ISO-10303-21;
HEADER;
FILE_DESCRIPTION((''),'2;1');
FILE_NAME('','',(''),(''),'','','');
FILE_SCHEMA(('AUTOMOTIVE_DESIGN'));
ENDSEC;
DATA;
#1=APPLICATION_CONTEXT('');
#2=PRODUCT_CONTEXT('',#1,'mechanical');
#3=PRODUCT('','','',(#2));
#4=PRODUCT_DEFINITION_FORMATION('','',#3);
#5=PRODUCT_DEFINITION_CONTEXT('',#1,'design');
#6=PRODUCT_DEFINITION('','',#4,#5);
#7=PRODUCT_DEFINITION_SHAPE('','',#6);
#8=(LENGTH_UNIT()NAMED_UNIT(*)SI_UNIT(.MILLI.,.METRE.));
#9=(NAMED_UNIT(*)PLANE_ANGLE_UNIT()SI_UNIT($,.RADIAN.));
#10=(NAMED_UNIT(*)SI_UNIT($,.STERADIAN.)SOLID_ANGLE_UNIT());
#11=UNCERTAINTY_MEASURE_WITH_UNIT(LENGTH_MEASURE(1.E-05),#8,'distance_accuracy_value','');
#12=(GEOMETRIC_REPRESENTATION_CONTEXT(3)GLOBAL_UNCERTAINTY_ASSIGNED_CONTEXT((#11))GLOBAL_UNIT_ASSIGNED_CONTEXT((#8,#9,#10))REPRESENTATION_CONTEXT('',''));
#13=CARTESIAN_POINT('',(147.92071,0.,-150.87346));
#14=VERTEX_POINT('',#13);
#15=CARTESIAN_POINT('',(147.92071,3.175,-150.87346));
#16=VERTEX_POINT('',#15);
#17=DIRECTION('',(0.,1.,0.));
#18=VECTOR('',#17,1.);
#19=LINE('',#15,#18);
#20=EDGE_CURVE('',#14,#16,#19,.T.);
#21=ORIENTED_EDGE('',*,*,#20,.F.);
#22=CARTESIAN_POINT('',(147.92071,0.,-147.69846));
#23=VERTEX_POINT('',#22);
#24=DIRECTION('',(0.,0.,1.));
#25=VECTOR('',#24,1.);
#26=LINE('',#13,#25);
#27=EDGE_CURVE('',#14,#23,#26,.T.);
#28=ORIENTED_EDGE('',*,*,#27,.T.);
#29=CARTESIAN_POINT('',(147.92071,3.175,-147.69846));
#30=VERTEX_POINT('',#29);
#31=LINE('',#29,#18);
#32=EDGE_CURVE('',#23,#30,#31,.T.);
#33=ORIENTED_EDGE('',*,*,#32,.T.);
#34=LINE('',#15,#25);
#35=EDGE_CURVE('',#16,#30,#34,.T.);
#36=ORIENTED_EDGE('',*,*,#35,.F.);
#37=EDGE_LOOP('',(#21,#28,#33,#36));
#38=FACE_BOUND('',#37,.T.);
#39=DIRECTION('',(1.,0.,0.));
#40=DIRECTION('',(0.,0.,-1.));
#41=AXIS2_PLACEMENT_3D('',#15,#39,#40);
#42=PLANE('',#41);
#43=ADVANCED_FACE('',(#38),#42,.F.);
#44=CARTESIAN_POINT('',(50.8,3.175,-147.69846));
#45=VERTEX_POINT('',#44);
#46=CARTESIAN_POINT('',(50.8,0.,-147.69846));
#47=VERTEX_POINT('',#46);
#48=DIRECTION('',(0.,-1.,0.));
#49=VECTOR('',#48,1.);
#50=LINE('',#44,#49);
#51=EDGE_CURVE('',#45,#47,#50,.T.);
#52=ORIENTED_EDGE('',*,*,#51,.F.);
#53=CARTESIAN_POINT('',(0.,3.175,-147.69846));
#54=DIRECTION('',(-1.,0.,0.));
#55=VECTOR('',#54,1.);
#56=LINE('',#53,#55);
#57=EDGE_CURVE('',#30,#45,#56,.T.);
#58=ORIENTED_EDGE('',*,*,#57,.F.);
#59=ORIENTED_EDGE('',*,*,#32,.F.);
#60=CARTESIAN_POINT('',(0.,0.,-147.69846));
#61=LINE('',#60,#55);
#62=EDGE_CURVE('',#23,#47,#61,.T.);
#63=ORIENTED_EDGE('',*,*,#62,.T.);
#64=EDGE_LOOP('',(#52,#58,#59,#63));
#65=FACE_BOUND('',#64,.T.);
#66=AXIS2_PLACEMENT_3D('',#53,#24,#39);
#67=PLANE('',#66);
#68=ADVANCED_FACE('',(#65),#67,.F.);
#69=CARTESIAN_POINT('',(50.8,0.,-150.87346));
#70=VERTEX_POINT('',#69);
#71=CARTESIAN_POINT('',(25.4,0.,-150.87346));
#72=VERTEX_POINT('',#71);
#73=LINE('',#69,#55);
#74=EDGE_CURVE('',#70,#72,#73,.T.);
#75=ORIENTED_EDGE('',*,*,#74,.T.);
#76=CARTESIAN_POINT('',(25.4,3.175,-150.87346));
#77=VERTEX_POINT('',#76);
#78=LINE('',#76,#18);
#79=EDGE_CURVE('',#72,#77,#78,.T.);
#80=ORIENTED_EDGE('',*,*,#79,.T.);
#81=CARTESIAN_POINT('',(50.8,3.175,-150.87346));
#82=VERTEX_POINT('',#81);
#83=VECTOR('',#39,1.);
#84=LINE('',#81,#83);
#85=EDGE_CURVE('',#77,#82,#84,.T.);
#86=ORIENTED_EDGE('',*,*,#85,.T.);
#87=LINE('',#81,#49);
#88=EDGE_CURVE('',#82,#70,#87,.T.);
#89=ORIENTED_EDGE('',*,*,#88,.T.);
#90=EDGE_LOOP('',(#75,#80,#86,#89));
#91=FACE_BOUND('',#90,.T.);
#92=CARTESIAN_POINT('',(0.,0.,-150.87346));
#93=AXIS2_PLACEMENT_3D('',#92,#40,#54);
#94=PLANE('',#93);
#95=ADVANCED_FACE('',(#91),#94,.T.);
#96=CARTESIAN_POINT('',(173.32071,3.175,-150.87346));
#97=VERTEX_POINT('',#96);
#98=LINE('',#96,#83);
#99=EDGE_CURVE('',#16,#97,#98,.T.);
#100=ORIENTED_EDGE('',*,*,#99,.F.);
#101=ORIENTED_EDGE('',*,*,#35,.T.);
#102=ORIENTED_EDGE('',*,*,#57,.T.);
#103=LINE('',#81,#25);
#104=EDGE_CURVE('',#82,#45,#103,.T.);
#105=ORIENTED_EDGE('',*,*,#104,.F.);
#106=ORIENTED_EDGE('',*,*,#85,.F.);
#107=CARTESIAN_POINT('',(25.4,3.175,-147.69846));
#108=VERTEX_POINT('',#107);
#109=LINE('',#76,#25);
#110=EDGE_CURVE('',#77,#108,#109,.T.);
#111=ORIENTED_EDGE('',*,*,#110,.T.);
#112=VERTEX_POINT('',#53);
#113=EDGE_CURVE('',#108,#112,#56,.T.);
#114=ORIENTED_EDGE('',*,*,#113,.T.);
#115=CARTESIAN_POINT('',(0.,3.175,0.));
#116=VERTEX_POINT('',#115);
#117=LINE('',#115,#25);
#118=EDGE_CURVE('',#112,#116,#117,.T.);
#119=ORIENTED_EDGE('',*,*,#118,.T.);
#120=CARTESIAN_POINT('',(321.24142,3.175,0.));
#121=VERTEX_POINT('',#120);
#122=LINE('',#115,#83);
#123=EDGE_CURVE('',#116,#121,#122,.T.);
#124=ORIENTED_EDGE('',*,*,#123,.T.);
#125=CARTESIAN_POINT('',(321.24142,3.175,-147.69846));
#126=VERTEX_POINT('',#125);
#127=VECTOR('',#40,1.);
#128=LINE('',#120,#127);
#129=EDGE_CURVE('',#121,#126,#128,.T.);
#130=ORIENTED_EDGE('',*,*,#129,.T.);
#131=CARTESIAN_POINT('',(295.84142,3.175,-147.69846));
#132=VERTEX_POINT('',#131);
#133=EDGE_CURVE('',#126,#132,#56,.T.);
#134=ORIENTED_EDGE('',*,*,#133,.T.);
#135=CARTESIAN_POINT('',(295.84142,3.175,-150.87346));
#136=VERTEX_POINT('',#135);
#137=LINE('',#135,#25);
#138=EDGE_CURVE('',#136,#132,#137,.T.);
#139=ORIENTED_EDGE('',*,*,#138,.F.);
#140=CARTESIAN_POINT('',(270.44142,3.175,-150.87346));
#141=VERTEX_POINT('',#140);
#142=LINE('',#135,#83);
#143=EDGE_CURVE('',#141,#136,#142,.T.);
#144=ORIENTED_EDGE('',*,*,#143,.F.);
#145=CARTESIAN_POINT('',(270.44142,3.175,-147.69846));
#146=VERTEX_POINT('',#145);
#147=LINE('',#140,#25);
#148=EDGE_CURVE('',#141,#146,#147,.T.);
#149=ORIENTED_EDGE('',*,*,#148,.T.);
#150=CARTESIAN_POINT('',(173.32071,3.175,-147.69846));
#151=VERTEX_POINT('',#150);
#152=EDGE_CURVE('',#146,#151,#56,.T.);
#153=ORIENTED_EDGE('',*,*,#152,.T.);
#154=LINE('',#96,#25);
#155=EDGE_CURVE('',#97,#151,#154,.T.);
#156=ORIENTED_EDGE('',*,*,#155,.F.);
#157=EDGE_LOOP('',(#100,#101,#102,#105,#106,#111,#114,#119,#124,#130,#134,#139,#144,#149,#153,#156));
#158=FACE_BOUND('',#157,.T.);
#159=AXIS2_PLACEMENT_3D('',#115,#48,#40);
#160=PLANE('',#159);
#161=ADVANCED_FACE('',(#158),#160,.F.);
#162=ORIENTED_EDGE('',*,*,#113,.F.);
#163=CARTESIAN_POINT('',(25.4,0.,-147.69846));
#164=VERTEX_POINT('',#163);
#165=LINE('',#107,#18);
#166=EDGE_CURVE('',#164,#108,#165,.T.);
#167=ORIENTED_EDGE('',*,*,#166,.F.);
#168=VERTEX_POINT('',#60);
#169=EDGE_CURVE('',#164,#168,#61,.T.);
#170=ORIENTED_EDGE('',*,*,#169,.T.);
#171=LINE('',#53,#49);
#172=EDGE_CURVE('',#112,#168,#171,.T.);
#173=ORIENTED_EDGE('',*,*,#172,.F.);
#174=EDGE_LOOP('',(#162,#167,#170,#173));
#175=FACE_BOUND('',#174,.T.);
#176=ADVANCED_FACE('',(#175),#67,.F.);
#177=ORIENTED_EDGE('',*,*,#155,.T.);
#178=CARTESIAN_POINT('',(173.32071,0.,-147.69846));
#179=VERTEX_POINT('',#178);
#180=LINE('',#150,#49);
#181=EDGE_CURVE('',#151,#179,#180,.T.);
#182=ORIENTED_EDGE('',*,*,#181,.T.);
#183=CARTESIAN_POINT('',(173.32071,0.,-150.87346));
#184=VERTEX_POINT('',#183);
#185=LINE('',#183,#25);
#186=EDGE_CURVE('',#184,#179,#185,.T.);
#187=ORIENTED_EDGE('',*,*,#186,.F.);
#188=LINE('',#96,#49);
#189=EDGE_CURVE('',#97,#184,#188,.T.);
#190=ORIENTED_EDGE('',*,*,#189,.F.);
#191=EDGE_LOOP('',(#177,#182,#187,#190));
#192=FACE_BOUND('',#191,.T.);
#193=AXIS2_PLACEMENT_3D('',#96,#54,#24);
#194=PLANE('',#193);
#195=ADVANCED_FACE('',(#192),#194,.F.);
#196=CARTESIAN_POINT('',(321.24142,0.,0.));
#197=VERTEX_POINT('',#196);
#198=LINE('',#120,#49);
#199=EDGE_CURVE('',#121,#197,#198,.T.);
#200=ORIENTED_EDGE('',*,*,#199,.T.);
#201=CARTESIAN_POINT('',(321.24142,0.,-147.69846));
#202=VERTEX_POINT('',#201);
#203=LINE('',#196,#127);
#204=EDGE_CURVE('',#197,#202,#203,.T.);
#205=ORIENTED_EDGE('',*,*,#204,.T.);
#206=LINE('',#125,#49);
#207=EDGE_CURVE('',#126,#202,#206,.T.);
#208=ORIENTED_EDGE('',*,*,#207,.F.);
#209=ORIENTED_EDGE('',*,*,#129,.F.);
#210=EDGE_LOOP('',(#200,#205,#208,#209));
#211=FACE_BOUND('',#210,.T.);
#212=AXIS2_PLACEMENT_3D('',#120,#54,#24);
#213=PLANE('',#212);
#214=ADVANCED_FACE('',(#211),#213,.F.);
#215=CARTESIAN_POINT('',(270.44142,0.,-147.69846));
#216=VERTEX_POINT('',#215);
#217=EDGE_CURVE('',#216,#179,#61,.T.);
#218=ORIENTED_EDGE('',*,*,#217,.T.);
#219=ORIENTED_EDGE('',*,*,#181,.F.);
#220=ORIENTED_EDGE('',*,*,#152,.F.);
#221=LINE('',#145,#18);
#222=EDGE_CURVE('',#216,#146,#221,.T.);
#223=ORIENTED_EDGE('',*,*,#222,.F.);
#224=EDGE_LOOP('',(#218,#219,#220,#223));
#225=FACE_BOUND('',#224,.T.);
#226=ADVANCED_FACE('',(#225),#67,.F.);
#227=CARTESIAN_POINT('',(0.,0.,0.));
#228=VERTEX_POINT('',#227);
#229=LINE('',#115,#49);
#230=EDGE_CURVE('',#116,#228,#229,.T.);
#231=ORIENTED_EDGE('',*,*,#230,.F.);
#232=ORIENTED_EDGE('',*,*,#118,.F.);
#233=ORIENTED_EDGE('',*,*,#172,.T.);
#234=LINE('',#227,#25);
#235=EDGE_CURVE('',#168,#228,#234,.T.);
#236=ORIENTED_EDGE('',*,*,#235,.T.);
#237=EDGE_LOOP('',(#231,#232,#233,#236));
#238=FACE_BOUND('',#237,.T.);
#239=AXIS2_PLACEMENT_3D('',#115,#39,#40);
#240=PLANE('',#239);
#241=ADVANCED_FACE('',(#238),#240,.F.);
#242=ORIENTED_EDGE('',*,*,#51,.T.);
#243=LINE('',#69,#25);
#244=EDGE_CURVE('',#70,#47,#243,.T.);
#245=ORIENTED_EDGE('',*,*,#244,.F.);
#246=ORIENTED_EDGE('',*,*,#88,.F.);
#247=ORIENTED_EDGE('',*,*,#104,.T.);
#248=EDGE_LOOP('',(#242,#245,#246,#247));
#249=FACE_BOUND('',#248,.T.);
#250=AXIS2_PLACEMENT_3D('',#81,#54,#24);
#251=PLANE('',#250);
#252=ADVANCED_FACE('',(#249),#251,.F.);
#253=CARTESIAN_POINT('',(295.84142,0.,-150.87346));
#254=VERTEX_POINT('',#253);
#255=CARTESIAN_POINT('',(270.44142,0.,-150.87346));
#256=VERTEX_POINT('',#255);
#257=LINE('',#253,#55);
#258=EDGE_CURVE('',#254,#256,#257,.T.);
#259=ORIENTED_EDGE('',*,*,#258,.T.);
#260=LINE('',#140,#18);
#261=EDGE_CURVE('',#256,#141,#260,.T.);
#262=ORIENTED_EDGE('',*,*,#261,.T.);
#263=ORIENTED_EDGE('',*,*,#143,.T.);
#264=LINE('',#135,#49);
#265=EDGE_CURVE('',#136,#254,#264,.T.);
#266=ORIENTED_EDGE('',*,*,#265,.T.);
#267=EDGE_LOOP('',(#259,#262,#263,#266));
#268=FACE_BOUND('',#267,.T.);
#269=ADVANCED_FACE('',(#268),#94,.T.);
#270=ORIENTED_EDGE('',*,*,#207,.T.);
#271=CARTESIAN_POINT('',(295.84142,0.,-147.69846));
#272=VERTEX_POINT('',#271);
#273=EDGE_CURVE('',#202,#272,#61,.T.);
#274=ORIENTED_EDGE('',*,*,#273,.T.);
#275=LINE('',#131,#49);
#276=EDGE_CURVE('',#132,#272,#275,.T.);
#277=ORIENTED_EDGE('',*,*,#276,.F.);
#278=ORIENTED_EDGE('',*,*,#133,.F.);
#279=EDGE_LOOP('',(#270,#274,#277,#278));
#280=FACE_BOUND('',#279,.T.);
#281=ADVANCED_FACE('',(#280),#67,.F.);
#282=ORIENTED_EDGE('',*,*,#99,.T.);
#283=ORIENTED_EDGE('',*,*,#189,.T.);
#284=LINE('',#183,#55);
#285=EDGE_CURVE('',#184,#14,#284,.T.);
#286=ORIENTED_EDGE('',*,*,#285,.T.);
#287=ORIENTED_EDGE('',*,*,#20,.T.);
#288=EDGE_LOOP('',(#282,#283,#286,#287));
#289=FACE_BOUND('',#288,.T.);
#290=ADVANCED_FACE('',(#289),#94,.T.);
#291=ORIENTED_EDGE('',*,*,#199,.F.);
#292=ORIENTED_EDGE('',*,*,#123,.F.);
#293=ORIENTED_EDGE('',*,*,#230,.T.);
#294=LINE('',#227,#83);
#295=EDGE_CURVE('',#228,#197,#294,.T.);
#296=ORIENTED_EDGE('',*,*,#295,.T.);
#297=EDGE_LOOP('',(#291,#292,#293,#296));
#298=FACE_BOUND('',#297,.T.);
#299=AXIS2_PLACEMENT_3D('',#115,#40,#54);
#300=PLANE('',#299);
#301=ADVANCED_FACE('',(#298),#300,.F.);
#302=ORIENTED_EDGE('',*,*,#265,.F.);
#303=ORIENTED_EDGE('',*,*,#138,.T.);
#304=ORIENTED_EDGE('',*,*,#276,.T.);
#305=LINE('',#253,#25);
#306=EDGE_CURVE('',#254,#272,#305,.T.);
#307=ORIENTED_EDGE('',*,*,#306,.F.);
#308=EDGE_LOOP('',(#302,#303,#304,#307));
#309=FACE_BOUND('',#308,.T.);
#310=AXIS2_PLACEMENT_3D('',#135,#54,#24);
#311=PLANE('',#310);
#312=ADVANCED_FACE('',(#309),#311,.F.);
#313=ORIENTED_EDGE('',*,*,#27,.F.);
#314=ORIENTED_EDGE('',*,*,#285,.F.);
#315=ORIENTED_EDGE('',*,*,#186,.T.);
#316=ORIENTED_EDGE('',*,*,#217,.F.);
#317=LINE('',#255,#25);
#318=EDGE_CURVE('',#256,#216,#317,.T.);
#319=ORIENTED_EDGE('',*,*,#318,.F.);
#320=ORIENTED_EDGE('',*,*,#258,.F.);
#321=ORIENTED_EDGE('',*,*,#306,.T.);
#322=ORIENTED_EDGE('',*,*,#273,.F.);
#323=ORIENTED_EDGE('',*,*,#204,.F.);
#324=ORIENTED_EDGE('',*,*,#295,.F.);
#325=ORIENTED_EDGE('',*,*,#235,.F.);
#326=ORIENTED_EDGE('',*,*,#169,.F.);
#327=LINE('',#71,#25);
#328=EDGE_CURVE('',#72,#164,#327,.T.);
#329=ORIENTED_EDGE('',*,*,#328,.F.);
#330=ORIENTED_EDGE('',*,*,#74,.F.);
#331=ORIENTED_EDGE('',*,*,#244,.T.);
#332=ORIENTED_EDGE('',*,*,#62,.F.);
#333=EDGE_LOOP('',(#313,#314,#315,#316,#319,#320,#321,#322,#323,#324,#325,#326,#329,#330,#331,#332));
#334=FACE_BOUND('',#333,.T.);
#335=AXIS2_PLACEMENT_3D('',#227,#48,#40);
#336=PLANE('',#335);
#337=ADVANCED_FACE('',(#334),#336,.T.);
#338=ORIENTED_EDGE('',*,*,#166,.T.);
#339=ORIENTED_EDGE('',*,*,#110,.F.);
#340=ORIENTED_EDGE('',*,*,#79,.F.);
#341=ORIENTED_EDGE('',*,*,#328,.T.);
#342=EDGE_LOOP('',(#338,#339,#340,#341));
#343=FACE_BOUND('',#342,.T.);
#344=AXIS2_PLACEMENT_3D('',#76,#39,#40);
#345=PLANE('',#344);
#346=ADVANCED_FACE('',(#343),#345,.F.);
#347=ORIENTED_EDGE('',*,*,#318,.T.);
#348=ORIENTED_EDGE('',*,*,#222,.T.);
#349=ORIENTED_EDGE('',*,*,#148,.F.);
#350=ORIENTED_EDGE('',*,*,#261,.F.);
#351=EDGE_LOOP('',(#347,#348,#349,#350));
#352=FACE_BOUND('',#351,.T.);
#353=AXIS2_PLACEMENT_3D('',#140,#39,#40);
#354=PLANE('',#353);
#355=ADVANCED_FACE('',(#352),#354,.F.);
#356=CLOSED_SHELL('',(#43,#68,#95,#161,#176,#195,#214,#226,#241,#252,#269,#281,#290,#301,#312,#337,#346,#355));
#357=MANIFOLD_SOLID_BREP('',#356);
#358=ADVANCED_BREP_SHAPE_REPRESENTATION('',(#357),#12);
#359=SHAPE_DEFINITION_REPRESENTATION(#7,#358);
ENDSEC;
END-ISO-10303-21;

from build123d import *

# Parameters (mm, degrees)
SKETCH1_W           = 321.24142
SKETCH1_H           = 147.69846
BOSS_EXTRUDE1_DEPTH = 3.175
SKETCH2_W           = 25.4
SKETCH2_H           = 3.175
BOSS_EXTRUDE2_DEPTH = 3.175


with BuildPart() as part:
    # Sketch1 → Boss-Extrude1 (new body)
    with BuildSketch(Plane(origin=(0, 0, 0), x_dir=(1, 0, 0), z_dir=(0, 1, 0))):
        with Locations((160.62071, 73.84923)):
            Rectangle(SKETCH1_W, SKETCH1_H)
    extrude(amount=BOSS_EXTRUDE1_DEPTH)

    # Sketch2 → Boss-Extrude2 (add)
    with BuildSketch(Plane(origin=(0, 0, -147.69846), x_dir=(-1, 0, 0), z_dir=(0, 0, -1))):
        with Locations((-283.14142, 1.5875)):
            Rectangle(SKETCH2_W, SKETCH2_H)
        with Locations((-160.62071, 1.5875)):
            Rectangle(SKETCH2_W, SKETCH2_H)
        with Locations((-38.1, 1.5875)):
            Rectangle(SKETCH2_W, SKETCH2_H)
    extrude(amount=BOSS_EXTRUDE2_DEPTH)


solid = part.part
